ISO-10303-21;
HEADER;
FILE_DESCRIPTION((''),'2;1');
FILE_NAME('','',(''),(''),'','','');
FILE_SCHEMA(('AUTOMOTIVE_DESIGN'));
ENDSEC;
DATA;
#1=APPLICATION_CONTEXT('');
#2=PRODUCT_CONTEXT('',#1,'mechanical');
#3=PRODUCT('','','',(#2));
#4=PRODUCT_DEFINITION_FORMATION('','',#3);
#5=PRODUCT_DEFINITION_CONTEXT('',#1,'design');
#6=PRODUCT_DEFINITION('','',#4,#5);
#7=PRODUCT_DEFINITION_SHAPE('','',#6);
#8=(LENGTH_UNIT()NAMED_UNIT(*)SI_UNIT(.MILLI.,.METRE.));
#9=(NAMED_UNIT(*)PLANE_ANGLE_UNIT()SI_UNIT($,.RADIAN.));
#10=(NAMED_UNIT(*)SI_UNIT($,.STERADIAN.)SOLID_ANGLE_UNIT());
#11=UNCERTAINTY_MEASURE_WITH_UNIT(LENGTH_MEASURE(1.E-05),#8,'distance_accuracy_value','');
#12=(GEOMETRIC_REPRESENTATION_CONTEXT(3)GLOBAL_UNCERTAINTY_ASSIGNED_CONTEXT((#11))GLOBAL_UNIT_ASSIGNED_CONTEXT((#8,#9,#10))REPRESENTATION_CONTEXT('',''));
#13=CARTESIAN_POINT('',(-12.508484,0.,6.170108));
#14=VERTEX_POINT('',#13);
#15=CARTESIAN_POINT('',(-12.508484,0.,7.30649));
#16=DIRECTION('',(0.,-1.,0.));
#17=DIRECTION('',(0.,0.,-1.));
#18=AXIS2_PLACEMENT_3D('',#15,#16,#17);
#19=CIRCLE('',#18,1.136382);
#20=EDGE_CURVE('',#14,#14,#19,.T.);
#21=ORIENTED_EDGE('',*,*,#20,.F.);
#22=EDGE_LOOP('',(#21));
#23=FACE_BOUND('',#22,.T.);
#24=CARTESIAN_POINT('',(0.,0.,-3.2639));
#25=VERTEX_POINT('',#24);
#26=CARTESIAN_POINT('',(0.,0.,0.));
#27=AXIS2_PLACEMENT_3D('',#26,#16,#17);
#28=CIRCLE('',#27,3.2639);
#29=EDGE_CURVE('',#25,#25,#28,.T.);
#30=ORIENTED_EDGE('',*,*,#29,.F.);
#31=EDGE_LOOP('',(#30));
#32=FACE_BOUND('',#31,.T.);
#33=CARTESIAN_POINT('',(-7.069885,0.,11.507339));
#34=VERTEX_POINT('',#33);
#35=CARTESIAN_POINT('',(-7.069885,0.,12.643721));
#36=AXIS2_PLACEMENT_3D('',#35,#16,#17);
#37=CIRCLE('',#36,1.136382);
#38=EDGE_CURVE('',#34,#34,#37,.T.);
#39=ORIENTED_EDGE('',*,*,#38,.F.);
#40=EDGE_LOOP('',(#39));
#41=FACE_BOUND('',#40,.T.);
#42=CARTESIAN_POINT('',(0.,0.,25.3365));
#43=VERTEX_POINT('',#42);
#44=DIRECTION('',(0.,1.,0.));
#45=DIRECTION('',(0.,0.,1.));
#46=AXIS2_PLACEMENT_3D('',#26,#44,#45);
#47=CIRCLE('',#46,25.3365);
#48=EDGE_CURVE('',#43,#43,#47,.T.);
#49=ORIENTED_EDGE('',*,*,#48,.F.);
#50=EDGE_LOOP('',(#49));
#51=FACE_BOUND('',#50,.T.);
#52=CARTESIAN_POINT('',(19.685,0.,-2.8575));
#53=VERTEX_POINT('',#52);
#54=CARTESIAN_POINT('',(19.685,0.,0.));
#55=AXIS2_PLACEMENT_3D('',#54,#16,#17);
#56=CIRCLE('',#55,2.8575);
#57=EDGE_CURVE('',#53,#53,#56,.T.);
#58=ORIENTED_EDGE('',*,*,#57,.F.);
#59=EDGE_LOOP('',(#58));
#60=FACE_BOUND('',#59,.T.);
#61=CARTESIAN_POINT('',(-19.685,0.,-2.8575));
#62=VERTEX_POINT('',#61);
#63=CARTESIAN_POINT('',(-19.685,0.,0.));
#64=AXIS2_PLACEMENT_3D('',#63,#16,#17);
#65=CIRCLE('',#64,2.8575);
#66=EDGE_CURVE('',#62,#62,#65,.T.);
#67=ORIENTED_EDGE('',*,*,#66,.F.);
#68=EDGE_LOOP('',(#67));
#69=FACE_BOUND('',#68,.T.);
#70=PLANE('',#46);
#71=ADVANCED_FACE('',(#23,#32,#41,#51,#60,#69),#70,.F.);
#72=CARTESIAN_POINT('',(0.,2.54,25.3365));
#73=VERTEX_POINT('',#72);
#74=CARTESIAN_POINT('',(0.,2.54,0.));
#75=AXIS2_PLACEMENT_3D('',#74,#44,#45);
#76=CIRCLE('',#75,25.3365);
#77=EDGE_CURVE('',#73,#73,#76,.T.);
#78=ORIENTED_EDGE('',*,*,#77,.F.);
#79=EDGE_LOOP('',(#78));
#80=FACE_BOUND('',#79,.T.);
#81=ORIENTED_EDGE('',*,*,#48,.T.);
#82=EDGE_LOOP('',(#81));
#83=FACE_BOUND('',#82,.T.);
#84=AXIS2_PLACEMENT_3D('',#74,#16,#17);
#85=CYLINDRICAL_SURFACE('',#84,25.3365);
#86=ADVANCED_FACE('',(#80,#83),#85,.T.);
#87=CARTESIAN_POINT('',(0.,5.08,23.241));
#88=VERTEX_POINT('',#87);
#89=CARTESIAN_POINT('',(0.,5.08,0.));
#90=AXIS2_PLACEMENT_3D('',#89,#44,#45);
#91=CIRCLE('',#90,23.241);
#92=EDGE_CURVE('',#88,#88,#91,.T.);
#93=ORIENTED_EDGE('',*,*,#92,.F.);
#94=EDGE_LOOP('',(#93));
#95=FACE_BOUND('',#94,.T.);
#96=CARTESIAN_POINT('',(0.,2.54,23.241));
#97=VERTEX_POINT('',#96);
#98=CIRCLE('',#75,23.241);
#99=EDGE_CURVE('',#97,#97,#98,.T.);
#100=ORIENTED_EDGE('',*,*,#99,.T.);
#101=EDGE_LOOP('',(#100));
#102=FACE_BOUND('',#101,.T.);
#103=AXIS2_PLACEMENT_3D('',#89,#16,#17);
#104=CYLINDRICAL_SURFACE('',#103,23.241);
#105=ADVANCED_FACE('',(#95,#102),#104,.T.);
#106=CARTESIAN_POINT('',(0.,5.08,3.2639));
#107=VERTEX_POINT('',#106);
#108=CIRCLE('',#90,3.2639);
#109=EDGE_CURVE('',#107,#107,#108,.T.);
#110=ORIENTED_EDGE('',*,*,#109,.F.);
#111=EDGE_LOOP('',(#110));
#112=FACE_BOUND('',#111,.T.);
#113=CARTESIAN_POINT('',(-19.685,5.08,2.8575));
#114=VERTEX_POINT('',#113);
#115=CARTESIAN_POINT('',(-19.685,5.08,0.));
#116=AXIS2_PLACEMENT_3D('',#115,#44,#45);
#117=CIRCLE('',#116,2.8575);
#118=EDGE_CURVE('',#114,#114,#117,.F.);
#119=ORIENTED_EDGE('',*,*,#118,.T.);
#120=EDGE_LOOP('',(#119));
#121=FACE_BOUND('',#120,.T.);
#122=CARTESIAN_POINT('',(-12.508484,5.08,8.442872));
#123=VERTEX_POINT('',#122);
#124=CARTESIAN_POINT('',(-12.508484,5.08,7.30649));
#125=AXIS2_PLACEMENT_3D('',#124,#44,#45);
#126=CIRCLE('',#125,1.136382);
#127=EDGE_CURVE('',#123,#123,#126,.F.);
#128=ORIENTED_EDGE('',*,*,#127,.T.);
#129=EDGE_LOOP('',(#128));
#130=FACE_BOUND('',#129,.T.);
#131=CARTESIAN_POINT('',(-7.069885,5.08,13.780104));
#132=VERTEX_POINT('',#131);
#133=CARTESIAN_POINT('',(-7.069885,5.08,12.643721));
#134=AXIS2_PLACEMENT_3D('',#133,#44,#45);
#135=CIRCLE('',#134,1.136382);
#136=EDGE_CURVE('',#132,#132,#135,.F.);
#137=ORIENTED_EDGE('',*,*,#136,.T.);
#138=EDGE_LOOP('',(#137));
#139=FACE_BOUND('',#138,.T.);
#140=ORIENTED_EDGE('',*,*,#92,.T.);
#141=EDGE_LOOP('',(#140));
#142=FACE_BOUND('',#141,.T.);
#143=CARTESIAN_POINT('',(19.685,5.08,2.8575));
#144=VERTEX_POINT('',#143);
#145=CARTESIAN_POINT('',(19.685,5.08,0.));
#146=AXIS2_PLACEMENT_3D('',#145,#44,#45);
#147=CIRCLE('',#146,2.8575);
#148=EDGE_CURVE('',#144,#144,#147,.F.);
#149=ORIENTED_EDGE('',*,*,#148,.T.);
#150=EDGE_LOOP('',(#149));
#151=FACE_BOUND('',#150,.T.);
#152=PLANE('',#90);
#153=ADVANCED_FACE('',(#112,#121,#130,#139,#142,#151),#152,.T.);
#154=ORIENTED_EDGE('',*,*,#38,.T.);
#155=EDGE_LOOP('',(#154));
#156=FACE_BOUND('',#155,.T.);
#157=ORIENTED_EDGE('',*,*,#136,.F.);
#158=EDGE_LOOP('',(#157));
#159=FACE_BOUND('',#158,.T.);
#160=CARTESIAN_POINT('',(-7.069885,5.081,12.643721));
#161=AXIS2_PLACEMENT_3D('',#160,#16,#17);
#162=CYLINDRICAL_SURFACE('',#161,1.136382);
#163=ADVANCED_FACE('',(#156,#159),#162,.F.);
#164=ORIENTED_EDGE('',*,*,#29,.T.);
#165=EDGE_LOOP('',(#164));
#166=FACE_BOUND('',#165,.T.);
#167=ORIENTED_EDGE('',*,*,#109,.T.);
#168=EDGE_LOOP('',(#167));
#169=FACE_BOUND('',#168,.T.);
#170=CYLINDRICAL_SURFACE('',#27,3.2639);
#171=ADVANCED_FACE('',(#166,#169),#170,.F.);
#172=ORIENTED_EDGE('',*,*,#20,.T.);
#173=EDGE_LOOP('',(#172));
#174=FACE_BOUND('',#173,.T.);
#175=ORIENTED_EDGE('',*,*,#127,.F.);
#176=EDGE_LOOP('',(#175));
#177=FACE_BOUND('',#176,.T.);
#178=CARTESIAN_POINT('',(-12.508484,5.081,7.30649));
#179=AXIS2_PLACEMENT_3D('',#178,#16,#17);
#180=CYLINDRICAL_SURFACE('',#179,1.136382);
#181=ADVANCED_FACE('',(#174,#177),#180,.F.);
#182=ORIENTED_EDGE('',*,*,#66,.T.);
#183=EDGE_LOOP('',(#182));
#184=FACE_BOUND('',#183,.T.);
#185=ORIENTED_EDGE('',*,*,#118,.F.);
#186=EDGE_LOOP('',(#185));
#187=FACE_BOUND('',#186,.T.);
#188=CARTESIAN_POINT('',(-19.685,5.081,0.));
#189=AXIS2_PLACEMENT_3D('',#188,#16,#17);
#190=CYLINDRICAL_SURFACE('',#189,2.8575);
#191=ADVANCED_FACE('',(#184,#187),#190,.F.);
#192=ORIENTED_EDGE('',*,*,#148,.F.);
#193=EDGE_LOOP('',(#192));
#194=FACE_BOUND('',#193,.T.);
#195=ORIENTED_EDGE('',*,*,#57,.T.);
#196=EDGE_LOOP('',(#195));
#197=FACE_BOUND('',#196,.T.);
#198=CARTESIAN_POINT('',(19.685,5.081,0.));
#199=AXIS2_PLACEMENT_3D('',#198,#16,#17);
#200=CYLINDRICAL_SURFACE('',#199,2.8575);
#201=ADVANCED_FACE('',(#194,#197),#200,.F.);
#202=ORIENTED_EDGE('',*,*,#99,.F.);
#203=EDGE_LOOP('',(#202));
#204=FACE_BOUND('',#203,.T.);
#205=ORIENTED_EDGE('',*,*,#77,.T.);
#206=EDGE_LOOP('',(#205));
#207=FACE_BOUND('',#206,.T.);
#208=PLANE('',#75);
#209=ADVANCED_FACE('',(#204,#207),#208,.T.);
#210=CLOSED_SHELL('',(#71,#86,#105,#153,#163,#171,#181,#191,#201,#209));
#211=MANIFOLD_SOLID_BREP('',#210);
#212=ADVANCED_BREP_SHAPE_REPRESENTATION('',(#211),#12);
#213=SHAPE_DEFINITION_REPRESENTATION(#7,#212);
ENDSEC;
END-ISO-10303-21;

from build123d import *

# Parameters (mm, degrees)
SKETCH1_R                   = 25.3365
BOSS_EXTRUDE1_DEPTH         = 2.54
SKETCH2_R                   = 23.241
BOSS_EXTRUDE2_DEPTH         = 2.54
F_1_4_CLEARANCE_HOLE1_D     = 6.5278
F_1_4_CLEARANCE_HOLE1_DEPTH = 5.08
CUT_EXTRUDE1_REACH          = 7.08
SKETCH5_R                   = 2.8575
CUT_EXTRUDE2_REACH          = 7.08
SKETCH6_R                   = 1.136382046


with BuildPart() as part:
    # Sketch1 → Boss-Extrude1 (new body)
    with BuildSketch(Plane(origin=(0, 0, 0), x_dir=(1, 0, 0), z_dir=(0, 1, 0))):
        Circle(SKETCH1_R)
    extrude(amount=BOSS_EXTRUDE1_DEPTH)

    # Sketch2 → Boss-Extrude2 (add)
    with BuildSketch(Plane(origin=(0, 2.54, 0), x_dir=(1, 0, 0), z_dir=(0, 1, 0))):
        Circle(SKETCH2_R)
    extrude(amount=BOSS_EXTRUDE2_DEPTH)

    # 1/4 Clearance Hole1
    with Locations(Plane.XZ):
        with Locations((0, 0)):
            Hole(F_1_4_CLEARANCE_HOLE1_D / 2, depth=F_1_4_CLEARANCE_HOLE1_DEPTH)

    # Sketch5 → Cut-Extrude1 (cut, up to next)
    with BuildSketch(Plane.XZ, mode=Mode.PRIVATE) as cut_extrude1_sk1:
        with Locations((-19.685, 0)):
            Circle(SKETCH5_R)
    cut_extrude1_tool1 = extrude(cut_extrude1_sk1.sketch, amount=-CUT_EXTRUDE1_REACH, mode=Mode.PRIVATE) & part.part
    add(cut_extrude1_tool1.solids().sort_by_distance((-19.685, 0, 0))[0], mode=Mode.SUBTRACT)
    # Sketch5 → Cut-Extrude1 (cut, up to next)
    with BuildSketch(Plane.XZ, mode=Mode.PRIVATE) as cut_extrude1_sk2:
        with Locations((19.685, 0)):
            Circle(SKETCH5_R)
    cut_extrude1_tool2 = extrude(cut_extrude1_sk2.sketch, amount=-CUT_EXTRUDE1_REACH, mode=Mode.PRIVATE) & part.part
    add(cut_extrude1_tool2.solids().sort_by_distance((19.685, 0, 0))[0], mode=Mode.SUBTRACT)

    # Sketch6 → Cut-Extrude2 (cut, up to next)
    with BuildSketch(Plane.XZ, mode=Mode.PRIVATE) as cut_extrude2_sk1:
        with Locations((-7.069885154, 12.643721498)):
            Circle(SKETCH6_R)
    cut_extrude2_tool1 = extrude(cut_extrude2_sk1.sketch, amount=-CUT_EXTRUDE2_REACH, mode=Mode.PRIVATE) & part.part
    add(cut_extrude2_tool1.solids().sort_by_distance((-7.069885, 0, 12.643721))[0], mode=Mode.SUBTRACT)
    # Sketch6 → Cut-Extrude2 (cut, up to next)
    with BuildSketch(Plane.XZ, mode=Mode.PRIVATE) as cut_extrude2_sk2:
        with Locations((-12.50848412, 7.306489885)):
            Circle(SKETCH6_R)
    cut_extrude2_tool2 = extrude(cut_extrude2_sk2.sketch, amount=-CUT_EXTRUDE2_REACH, mode=Mode.PRIVATE) & part.part
    add(cut_extrude2_tool2.solids().sort_by_distance((-12.508484, 0, 7.30649))[0], mode=Mode.SUBTRACT)


solid = part.part
